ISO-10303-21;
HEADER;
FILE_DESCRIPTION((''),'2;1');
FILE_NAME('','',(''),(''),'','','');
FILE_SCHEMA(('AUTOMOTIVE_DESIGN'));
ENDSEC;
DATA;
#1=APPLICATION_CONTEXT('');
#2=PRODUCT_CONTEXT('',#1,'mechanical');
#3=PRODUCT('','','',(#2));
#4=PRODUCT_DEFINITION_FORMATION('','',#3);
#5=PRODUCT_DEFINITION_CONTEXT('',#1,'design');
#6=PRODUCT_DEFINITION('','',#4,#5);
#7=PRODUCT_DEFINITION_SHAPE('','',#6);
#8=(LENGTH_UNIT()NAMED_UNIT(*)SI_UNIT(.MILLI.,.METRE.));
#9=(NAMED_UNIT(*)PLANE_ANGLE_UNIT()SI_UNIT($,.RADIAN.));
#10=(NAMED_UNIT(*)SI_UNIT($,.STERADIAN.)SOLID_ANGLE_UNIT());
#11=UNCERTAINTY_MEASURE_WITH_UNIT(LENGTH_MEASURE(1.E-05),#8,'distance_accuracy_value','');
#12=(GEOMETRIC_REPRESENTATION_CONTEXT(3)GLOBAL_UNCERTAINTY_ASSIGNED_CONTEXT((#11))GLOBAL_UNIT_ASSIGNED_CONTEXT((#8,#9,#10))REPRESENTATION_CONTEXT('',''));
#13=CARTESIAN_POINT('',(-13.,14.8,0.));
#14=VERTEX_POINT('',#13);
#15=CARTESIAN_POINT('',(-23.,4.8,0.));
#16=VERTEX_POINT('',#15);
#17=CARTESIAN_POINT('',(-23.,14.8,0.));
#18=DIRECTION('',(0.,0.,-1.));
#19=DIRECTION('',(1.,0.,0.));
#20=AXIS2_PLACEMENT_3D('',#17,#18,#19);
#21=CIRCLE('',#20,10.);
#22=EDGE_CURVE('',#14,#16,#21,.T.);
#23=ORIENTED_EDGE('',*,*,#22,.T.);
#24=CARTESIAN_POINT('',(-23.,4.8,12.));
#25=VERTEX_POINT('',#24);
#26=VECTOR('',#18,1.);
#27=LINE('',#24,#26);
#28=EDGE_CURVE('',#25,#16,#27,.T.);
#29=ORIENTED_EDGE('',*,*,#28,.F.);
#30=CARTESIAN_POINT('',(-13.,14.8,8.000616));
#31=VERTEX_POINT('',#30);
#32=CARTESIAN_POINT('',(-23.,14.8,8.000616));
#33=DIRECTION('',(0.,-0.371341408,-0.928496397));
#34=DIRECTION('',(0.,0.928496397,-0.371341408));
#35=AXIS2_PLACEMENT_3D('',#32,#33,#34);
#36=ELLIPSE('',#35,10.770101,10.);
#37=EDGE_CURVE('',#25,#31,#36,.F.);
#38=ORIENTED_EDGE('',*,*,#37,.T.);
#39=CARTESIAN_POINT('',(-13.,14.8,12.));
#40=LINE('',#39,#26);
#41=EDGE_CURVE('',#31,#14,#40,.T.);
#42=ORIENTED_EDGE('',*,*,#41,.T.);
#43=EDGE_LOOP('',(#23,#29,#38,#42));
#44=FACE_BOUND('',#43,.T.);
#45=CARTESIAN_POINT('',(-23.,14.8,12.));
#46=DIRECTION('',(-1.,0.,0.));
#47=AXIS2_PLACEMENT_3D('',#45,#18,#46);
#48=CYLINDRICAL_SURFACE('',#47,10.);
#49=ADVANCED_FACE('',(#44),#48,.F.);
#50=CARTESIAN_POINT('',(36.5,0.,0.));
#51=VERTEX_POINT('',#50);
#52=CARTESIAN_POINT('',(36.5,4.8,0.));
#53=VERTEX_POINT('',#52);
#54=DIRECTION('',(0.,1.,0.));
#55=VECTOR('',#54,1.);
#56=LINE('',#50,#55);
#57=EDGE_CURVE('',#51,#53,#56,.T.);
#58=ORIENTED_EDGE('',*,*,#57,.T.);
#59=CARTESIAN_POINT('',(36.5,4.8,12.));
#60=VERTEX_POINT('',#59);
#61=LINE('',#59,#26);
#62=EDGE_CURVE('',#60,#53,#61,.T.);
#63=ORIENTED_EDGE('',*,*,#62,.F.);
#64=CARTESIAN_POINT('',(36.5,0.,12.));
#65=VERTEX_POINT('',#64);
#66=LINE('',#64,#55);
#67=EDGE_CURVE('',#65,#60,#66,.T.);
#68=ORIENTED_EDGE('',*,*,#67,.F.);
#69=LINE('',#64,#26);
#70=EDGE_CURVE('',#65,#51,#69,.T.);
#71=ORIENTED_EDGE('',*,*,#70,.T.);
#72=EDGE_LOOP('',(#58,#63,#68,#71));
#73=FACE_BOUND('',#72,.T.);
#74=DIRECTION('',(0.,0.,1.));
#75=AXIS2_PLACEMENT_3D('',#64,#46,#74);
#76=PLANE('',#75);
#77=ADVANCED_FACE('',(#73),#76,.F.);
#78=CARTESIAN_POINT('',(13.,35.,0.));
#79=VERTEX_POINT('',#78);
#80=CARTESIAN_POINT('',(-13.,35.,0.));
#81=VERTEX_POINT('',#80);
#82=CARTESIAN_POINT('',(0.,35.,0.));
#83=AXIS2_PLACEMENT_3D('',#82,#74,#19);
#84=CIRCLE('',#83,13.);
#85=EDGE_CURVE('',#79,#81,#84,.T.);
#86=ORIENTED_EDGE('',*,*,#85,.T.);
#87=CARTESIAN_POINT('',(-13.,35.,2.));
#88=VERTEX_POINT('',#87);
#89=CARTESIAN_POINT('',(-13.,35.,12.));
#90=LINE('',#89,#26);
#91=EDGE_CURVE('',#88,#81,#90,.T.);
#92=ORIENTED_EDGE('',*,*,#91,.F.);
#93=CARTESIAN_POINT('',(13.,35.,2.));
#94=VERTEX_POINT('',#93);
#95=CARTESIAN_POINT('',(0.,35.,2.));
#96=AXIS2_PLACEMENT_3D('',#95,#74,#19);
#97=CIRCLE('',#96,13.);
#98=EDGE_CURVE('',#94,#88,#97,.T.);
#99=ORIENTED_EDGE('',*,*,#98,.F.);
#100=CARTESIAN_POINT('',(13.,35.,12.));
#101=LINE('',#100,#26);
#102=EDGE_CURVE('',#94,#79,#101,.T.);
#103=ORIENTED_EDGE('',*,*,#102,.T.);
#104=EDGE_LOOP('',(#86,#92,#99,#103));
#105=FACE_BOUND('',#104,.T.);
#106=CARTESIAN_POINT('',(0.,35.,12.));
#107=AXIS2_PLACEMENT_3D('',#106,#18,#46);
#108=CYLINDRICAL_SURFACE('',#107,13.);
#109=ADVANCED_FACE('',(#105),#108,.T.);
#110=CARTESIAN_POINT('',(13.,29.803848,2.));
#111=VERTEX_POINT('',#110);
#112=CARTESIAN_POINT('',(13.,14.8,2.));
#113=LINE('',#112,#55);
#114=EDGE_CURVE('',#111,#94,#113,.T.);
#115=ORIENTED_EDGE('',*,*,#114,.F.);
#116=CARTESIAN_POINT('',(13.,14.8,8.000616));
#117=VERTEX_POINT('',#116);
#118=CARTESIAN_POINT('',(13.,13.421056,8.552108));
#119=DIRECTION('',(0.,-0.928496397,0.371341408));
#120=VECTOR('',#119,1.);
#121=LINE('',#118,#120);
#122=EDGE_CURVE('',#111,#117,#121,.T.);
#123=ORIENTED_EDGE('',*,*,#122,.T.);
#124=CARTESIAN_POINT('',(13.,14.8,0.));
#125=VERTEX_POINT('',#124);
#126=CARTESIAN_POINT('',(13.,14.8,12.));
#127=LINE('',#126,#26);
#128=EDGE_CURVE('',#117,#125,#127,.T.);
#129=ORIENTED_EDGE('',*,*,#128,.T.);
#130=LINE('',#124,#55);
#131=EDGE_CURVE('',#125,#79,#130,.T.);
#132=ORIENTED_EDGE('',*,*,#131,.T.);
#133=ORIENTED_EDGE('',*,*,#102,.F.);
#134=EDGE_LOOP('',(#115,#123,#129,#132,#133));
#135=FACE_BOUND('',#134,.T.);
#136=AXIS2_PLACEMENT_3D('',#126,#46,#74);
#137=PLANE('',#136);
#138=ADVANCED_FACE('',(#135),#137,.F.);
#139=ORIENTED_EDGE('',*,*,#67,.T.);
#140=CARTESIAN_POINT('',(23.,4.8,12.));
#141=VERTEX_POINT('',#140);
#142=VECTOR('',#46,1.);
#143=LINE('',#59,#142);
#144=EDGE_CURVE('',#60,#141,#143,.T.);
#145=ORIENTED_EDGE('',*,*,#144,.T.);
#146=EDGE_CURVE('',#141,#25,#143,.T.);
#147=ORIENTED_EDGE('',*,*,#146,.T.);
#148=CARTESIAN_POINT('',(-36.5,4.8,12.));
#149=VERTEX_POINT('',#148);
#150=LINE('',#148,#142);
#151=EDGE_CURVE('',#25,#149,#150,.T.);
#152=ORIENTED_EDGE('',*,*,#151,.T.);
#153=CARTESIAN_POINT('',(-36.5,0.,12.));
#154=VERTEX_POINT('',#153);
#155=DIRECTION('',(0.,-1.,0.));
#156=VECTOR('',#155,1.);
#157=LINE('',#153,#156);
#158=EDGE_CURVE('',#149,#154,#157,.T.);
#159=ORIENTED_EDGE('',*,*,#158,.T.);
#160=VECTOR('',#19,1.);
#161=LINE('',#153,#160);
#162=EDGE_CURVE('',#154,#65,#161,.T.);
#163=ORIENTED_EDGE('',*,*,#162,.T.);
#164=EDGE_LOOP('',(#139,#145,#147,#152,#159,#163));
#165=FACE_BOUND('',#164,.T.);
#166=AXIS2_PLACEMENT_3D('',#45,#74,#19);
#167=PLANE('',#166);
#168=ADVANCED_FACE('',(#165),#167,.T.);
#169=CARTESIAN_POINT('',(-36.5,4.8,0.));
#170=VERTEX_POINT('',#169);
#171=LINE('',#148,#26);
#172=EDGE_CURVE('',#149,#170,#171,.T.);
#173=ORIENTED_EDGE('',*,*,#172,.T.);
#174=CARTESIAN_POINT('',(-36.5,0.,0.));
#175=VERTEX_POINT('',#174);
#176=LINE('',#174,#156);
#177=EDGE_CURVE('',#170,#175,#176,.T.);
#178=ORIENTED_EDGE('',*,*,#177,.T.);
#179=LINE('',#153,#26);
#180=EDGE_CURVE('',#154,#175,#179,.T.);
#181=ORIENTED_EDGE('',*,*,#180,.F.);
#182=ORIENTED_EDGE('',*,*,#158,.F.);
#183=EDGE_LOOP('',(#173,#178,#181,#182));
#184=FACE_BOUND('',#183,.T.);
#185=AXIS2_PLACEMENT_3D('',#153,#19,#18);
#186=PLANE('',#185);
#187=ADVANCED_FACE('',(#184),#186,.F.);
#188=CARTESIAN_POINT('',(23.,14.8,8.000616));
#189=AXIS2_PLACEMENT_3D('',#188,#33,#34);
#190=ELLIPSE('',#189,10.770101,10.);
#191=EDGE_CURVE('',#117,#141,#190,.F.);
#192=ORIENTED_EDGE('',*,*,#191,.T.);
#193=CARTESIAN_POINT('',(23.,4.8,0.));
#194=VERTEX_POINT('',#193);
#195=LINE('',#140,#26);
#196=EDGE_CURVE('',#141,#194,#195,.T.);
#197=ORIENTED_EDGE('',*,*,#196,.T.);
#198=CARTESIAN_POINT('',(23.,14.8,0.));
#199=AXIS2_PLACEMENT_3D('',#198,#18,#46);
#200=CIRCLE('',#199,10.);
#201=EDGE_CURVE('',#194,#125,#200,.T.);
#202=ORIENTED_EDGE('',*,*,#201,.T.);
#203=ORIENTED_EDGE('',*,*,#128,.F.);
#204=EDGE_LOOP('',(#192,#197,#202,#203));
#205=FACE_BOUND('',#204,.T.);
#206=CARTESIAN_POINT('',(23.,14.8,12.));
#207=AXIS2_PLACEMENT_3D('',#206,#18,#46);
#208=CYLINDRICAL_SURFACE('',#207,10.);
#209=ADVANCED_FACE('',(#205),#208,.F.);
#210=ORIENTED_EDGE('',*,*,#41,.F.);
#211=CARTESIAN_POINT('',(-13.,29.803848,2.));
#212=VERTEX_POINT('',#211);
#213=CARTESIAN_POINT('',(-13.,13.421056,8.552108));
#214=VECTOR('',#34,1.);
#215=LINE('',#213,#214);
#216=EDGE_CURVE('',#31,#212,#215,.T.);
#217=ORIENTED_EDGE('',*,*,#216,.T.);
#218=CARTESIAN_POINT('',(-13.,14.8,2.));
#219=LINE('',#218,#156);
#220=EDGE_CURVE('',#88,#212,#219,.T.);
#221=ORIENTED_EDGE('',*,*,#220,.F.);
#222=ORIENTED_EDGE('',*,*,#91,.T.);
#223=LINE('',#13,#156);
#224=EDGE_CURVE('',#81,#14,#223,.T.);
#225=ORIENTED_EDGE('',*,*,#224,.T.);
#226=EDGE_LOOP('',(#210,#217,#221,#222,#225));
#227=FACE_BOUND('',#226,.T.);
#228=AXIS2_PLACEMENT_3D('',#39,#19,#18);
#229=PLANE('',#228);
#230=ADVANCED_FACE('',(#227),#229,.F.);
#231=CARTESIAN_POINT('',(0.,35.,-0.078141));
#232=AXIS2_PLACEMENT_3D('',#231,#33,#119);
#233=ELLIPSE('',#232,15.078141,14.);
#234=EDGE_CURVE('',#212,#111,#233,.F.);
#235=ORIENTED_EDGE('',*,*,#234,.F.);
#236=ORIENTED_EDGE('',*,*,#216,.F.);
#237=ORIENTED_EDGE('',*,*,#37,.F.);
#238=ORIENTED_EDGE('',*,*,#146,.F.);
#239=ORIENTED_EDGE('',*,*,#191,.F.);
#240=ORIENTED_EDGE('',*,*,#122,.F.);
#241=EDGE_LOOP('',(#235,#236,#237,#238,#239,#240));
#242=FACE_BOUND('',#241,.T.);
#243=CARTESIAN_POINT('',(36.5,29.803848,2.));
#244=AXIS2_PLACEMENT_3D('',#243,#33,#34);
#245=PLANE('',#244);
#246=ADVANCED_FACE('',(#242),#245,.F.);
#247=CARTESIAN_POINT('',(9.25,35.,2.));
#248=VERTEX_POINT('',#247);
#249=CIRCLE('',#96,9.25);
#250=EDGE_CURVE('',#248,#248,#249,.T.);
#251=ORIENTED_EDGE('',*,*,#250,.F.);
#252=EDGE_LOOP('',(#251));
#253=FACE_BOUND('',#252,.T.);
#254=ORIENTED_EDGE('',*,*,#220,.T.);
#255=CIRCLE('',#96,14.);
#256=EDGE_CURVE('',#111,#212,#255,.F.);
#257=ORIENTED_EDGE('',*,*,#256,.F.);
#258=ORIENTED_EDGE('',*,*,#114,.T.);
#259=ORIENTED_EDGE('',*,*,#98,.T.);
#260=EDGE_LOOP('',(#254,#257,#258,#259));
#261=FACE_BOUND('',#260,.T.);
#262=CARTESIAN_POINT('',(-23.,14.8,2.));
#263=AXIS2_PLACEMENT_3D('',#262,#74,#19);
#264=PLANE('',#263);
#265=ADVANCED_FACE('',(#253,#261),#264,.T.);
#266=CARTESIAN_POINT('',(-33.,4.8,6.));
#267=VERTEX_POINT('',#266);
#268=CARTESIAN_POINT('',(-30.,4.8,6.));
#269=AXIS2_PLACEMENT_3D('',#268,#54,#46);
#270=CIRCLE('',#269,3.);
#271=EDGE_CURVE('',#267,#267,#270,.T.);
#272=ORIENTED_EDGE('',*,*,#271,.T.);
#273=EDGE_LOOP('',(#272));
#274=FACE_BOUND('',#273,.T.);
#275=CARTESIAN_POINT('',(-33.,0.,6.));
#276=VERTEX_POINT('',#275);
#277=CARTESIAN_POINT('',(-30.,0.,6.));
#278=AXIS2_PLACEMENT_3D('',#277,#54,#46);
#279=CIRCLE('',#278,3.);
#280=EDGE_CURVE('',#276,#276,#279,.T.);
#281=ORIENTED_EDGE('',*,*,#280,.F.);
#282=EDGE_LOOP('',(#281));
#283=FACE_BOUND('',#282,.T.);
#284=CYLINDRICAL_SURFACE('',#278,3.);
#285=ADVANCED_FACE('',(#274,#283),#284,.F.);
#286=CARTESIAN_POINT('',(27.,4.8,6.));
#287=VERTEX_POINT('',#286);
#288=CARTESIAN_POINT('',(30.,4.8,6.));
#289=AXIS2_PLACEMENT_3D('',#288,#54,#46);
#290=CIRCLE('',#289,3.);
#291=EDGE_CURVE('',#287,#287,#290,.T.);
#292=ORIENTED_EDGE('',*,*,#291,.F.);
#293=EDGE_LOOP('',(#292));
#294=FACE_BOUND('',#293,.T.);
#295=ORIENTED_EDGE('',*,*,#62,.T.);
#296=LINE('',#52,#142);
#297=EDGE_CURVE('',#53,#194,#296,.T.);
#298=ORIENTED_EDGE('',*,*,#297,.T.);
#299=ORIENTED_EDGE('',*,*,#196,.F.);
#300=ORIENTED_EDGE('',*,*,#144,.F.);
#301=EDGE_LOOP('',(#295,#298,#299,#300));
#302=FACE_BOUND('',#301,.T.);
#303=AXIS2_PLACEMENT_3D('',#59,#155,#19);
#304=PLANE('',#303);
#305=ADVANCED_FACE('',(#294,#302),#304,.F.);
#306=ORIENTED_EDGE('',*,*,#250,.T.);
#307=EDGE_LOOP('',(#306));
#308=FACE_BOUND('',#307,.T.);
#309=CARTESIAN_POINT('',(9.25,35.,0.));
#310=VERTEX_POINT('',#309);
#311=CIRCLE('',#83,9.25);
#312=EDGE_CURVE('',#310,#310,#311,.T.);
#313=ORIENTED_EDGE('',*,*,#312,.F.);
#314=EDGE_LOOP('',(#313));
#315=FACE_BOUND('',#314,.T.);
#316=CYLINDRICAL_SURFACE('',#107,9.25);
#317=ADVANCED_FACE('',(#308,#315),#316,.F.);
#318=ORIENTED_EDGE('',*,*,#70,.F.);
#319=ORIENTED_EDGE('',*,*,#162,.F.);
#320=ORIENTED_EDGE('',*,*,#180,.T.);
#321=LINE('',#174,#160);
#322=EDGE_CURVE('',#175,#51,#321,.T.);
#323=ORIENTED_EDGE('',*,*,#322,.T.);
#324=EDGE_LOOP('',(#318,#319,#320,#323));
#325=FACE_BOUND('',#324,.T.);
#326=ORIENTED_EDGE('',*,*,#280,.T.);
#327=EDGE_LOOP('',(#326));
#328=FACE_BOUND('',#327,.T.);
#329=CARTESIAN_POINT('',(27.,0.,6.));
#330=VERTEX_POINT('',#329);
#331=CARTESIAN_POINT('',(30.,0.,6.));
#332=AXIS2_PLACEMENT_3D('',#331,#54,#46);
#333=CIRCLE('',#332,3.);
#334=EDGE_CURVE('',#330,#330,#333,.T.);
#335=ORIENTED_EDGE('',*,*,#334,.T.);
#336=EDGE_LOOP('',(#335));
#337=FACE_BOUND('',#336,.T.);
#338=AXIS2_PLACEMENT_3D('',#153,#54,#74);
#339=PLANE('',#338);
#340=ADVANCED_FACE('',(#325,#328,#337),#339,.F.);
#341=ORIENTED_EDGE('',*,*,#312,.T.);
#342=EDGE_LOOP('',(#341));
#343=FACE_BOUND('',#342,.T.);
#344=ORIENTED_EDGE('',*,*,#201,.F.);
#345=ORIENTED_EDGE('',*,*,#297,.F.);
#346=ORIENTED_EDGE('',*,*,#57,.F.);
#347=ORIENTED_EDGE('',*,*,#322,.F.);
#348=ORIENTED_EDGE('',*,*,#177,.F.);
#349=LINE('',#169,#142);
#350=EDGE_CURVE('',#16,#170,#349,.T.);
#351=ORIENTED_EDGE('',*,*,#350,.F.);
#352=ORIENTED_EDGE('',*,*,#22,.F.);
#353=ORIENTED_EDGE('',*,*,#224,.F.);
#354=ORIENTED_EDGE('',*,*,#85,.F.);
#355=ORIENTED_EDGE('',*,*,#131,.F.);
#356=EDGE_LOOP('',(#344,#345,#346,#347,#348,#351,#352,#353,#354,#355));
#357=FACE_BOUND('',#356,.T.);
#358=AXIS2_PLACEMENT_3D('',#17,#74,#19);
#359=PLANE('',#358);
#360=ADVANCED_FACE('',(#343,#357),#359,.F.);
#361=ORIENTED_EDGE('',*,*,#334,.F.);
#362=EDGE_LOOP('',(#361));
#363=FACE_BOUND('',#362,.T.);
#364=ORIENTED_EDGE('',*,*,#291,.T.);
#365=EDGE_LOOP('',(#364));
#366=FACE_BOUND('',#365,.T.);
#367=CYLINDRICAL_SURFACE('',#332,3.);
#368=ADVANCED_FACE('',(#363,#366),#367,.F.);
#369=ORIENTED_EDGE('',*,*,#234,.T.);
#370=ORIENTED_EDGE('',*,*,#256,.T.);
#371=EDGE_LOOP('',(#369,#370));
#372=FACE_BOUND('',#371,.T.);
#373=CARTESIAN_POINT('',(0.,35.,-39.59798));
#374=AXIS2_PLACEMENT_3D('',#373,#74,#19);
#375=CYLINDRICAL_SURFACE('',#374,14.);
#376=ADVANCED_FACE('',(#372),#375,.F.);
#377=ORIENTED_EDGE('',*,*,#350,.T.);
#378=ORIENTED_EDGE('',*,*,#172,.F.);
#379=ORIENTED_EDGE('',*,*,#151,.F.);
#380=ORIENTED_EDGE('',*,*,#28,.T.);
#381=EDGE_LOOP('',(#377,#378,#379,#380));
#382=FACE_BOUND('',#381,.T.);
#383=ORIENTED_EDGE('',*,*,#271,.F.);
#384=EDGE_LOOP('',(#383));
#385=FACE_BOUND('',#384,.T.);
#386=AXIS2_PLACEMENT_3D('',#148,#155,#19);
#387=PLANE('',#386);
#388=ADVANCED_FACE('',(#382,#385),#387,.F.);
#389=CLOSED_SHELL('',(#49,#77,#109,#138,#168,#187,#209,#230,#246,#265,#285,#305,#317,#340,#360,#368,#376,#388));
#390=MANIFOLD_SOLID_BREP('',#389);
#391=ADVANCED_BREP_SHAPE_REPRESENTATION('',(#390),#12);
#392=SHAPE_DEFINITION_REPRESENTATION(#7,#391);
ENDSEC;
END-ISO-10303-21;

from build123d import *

# Parameters (mm, degrees)
SKETCH1_R           = 9.25
BOSS_EXTRUDE1_DEPTH = 12
SKETCH2_R           = 3
CUT_EXTRUDE1_DEPTH  = 5.8
SKETCH3_R           = 14
CUT_EXTRUDE2_DEPTH  = 10
CUT_EXTRUDE3_DEPTH  = 74


with BuildPart() as part:
    # Sketch1 → Boss-Extrude1 (new body)
    with BuildSketch(Plane.XY):
        with BuildLine():
            Line((-36.5, 0), (36.5, 0))
            Line((36.5, 0), (36.5, 4.8))
            Line((36.5, 4.8), (23, 4.8))
            ThreePointArc((23, 4.8), (15.928932188, 7.728932188), (13, 14.8))
            Line((13, 14.8), (13, 35))
            ThreePointArc((13, 35), (0, 48), (-13, 35))
            Line((-13, 35), (-13, 14.8))
            ThreePointArc((-13, 14.8), (-15.928932188, 7.728932188), (-23, 4.8))
            Line((-23, 4.8), (-36.5, 4.8))
            Line((-36.5, 4.8), (-36.5, 0))
        make_face()
        with Locations((0, 35)):
            Circle(SKETCH1_R, mode=Mode.SUBTRACT)
    extrude(amount=BOSS_EXTRUDE1_DEPTH)

    # Sketch2 → Cut-Extrude1 (cut, through all)
    with BuildSketch(Plane(origin=(0, 4.8, 0), x_dir=(1, 0, 0), z_dir=(0, 1, 0))):
        with Locations(Location((-30, -6, 0), (0, 0, 180))):  # turned: the seam where the file's is
            Circle(SKETCH2_R)
        with Locations(Location((30, -6, 0), (0, 0, 180))):  # turned: the seam where the file's is
            Circle(SKETCH2_R)
    extrude(amount=-CUT_EXTRUDE1_DEPTH, mode=Mode.SUBTRACT)

    # Sketch3 → Cut-Extrude2 (cut)
    with BuildSketch(Plane.XY.offset(12)):
        with Locations((0, 35)):
            Circle(SKETCH3_R)
    extrude(amount=-CUT_EXTRUDE2_DEPTH, mode=Mode.SUBTRACT)

    # Sketch4 → Cut-Extrude3 (cut, through all)
    with BuildSketch(Plane.ZY.offset(36.5)):
        Polygon((2, 29.803847577), (12, 4.8), (12, 29.803847577), align=None)
    extrude(amount=-CUT_EXTRUDE3_DEPTH, mode=Mode.SUBTRACT)


solid = part.part
